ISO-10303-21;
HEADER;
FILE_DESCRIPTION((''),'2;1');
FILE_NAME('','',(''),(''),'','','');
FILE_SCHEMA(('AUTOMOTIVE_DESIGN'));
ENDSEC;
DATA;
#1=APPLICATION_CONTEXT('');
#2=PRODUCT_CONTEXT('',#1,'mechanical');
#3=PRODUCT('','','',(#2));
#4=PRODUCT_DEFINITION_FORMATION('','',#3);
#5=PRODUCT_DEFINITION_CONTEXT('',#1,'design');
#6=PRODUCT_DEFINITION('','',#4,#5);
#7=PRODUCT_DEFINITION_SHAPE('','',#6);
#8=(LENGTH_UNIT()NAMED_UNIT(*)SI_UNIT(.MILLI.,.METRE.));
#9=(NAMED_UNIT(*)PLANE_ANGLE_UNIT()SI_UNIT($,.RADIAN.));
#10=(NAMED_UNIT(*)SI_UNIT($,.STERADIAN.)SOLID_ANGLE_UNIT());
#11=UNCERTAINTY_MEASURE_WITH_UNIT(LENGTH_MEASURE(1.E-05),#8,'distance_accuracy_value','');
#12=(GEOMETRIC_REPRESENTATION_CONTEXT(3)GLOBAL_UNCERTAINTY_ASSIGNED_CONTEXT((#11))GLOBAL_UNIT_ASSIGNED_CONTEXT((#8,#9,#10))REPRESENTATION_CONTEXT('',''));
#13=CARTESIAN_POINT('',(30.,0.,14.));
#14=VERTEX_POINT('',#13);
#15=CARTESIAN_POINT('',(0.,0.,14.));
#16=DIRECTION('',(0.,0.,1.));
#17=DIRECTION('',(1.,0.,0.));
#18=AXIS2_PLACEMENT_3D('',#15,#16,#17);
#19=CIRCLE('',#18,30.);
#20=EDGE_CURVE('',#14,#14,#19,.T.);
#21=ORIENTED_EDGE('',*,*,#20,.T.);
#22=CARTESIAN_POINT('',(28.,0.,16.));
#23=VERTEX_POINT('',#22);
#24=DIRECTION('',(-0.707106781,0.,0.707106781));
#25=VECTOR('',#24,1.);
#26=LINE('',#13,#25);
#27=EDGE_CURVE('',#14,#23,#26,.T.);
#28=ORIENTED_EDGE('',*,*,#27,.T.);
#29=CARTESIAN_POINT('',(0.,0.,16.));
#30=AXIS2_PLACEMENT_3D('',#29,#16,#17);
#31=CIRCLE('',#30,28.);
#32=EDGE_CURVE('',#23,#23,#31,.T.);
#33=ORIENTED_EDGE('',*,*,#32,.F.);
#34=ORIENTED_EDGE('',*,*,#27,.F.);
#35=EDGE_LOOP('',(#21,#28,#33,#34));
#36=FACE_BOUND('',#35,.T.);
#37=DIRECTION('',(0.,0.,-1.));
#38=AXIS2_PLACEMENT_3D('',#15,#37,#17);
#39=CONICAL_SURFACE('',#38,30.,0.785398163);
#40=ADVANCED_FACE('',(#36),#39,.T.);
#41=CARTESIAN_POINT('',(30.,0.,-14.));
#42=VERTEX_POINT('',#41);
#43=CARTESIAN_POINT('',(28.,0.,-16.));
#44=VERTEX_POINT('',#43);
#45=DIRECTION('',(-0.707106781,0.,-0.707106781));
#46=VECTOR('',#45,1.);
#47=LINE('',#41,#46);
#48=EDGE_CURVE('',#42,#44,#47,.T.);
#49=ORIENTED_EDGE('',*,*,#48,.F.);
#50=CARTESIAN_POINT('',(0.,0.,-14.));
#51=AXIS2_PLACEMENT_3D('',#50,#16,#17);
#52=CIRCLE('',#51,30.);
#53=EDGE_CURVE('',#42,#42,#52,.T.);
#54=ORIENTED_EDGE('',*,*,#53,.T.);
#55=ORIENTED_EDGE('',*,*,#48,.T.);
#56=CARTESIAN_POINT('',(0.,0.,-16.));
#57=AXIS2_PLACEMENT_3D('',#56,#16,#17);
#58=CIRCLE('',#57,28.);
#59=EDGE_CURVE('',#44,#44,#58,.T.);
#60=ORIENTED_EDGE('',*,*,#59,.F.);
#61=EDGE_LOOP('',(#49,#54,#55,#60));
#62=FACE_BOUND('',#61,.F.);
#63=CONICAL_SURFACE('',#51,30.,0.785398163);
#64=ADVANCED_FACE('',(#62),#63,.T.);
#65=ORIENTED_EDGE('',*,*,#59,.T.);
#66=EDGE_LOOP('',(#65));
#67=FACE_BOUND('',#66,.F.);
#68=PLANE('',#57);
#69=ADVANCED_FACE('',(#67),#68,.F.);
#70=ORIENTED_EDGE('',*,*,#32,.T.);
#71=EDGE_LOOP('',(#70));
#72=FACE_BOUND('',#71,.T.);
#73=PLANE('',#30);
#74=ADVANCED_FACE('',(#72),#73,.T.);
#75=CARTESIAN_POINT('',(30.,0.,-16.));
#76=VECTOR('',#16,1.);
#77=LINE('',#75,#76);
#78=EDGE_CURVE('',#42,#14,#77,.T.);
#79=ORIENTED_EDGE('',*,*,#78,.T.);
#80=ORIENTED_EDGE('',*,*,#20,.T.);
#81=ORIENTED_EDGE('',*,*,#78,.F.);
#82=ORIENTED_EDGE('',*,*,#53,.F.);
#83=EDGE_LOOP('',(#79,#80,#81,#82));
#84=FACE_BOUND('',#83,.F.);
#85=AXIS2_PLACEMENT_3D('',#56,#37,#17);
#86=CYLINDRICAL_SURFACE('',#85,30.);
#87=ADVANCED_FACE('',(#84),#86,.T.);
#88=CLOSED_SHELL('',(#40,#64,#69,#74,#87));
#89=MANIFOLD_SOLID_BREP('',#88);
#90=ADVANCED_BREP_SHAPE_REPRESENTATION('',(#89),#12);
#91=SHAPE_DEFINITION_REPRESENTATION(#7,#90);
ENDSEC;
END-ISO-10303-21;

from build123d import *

# Parameters (mm, degrees)
CYLINDER038_R     = 30
CYLINDER038_DEPTH = 32
CHAMFER010_SIZE   = 2
CHAMFER011_SIZE   = 2


with BuildPart() as part:
    # Cylinder038 → Cylinder038 (join)
    with BuildSketch(Plane.XY.offset(-16)):
        Circle(CYLINDER038_R)
    extrude(amount=CYLINDER038_DEPTH)

    # Chamfer010
    chamfer010_edges = [part.edges().sort_by_distance(p)[0] for p in [
        (-30, 0, 16),
    ]]
    chamfer(chamfer010_edges, length=CHAMFER010_SIZE)

    # Chamfer011
    chamfer011_edges = [part.edges().sort_by_distance(p)[0] for p in [
        (-30, 0, -16),
    ]]
    chamfer(chamfer011_edges, length=CHAMFER011_SIZE)


solid = part.part
